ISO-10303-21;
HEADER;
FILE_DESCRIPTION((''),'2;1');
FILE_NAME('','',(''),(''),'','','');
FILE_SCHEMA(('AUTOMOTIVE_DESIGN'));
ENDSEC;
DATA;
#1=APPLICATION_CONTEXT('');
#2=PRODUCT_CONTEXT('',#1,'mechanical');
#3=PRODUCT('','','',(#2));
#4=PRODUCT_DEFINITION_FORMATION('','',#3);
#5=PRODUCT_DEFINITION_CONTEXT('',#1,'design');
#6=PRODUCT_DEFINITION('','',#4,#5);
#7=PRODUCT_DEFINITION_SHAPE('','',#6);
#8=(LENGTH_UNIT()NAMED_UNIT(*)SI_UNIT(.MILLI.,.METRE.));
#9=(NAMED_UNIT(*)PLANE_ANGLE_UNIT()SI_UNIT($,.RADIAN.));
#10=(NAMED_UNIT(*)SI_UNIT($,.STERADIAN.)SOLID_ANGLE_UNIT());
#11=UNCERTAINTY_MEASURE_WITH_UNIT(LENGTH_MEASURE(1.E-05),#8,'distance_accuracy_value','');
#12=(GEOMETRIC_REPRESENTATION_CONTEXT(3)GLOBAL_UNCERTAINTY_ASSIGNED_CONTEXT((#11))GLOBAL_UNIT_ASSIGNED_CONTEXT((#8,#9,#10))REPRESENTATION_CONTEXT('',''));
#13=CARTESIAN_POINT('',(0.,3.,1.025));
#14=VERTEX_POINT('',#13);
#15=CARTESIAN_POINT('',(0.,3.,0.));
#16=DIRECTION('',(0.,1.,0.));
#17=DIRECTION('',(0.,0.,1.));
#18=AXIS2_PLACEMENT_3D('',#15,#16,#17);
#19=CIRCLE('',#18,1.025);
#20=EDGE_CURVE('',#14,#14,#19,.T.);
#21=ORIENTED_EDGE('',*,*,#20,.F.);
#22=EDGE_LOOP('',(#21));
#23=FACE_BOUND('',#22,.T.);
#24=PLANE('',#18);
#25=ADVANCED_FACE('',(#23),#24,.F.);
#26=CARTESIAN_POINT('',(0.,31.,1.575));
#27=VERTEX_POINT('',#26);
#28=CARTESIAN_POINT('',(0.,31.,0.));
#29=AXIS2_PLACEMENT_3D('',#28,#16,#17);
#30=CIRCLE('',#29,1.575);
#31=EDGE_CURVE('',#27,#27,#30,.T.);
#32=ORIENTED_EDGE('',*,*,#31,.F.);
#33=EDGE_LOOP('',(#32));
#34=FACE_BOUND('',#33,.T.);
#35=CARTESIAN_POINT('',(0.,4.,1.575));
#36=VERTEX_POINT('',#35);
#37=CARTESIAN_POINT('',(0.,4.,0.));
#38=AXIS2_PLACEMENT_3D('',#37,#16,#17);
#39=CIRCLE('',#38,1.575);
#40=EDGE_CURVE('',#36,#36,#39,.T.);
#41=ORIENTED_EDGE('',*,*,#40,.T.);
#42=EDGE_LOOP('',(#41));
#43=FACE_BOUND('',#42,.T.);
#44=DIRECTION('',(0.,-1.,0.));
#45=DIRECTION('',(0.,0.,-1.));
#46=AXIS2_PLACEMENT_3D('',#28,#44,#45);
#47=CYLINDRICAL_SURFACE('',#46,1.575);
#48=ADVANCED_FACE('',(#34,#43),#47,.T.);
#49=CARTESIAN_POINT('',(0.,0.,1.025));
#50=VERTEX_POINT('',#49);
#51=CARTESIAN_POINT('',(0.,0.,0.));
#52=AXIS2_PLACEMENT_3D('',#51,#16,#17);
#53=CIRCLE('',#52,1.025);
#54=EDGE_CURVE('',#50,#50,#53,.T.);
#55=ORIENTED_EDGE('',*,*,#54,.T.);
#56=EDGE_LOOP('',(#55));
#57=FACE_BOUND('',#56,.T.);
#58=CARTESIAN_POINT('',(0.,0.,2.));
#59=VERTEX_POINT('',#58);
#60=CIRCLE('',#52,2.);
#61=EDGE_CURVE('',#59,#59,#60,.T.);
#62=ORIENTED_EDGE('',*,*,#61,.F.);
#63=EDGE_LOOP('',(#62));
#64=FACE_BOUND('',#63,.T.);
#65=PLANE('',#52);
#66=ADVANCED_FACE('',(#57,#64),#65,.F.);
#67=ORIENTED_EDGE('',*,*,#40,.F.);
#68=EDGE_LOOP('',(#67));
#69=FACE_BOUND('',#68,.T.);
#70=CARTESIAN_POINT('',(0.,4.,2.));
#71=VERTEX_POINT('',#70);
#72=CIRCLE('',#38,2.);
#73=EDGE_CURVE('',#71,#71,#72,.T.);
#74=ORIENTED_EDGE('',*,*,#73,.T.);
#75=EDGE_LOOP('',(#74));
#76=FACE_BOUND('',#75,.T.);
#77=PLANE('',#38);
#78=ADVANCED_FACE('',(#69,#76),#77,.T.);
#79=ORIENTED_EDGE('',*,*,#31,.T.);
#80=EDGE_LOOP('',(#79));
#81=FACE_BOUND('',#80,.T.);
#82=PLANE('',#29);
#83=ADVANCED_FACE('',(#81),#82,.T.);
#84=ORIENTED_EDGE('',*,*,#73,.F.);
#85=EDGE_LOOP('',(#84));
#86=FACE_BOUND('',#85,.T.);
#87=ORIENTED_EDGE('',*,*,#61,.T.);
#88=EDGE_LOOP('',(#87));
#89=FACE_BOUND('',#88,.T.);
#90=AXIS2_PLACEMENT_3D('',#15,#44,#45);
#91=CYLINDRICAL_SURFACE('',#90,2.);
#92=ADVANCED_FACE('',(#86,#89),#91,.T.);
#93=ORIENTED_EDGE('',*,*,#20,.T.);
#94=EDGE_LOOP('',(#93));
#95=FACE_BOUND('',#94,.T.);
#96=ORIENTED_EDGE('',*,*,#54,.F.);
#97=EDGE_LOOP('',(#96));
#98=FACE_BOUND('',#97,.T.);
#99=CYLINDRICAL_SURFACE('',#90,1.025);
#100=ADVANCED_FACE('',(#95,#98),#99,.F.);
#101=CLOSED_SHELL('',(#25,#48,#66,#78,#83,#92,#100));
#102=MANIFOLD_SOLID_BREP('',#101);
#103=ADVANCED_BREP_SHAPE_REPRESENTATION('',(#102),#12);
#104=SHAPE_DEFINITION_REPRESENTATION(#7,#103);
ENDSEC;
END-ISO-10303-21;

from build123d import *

# Parameters (mm, degrees)
SKETCH1_R           = 2
SKETCH1_R_2         = 1.025
BOSS_EXTRUDE1_DEPTH = 3
SKETCH2_R           = 2
BOSS_EXTRUDE2_DEPTH = 1
SKETCH3_R           = 1.575
BOSS_EXTRUDE3_DEPTH = 27


with BuildPart() as part:
    # Sketch1 → Boss-Extrude1 (new body)
    with BuildSketch(Plane(origin=(0, 0, 0), x_dir=(1, 0, 0), z_dir=(0, 1, 0))):
        Circle(SKETCH1_R)
        Circle(SKETCH1_R_2, mode=Mode.SUBTRACT)
    extrude(amount=BOSS_EXTRUDE1_DEPTH)

    # Sketch2 → Boss-Extrude2 (add)
    with BuildSketch(Plane(origin=(0, 3, 0), x_dir=(1, 0, 0), z_dir=(0, 1, 0))):
        Circle(SKETCH2_R)
    extrude(amount=BOSS_EXTRUDE2_DEPTH)

    # Sketch3 → Boss-Extrude3 (add)
    with BuildSketch(Plane(origin=(0, 4, 0), x_dir=(1, 0, 0), z_dir=(0, 1, 0))):
        Circle(SKETCH3_R)
    extrude(amount=BOSS_EXTRUDE3_DEPTH)


solid = part.part
